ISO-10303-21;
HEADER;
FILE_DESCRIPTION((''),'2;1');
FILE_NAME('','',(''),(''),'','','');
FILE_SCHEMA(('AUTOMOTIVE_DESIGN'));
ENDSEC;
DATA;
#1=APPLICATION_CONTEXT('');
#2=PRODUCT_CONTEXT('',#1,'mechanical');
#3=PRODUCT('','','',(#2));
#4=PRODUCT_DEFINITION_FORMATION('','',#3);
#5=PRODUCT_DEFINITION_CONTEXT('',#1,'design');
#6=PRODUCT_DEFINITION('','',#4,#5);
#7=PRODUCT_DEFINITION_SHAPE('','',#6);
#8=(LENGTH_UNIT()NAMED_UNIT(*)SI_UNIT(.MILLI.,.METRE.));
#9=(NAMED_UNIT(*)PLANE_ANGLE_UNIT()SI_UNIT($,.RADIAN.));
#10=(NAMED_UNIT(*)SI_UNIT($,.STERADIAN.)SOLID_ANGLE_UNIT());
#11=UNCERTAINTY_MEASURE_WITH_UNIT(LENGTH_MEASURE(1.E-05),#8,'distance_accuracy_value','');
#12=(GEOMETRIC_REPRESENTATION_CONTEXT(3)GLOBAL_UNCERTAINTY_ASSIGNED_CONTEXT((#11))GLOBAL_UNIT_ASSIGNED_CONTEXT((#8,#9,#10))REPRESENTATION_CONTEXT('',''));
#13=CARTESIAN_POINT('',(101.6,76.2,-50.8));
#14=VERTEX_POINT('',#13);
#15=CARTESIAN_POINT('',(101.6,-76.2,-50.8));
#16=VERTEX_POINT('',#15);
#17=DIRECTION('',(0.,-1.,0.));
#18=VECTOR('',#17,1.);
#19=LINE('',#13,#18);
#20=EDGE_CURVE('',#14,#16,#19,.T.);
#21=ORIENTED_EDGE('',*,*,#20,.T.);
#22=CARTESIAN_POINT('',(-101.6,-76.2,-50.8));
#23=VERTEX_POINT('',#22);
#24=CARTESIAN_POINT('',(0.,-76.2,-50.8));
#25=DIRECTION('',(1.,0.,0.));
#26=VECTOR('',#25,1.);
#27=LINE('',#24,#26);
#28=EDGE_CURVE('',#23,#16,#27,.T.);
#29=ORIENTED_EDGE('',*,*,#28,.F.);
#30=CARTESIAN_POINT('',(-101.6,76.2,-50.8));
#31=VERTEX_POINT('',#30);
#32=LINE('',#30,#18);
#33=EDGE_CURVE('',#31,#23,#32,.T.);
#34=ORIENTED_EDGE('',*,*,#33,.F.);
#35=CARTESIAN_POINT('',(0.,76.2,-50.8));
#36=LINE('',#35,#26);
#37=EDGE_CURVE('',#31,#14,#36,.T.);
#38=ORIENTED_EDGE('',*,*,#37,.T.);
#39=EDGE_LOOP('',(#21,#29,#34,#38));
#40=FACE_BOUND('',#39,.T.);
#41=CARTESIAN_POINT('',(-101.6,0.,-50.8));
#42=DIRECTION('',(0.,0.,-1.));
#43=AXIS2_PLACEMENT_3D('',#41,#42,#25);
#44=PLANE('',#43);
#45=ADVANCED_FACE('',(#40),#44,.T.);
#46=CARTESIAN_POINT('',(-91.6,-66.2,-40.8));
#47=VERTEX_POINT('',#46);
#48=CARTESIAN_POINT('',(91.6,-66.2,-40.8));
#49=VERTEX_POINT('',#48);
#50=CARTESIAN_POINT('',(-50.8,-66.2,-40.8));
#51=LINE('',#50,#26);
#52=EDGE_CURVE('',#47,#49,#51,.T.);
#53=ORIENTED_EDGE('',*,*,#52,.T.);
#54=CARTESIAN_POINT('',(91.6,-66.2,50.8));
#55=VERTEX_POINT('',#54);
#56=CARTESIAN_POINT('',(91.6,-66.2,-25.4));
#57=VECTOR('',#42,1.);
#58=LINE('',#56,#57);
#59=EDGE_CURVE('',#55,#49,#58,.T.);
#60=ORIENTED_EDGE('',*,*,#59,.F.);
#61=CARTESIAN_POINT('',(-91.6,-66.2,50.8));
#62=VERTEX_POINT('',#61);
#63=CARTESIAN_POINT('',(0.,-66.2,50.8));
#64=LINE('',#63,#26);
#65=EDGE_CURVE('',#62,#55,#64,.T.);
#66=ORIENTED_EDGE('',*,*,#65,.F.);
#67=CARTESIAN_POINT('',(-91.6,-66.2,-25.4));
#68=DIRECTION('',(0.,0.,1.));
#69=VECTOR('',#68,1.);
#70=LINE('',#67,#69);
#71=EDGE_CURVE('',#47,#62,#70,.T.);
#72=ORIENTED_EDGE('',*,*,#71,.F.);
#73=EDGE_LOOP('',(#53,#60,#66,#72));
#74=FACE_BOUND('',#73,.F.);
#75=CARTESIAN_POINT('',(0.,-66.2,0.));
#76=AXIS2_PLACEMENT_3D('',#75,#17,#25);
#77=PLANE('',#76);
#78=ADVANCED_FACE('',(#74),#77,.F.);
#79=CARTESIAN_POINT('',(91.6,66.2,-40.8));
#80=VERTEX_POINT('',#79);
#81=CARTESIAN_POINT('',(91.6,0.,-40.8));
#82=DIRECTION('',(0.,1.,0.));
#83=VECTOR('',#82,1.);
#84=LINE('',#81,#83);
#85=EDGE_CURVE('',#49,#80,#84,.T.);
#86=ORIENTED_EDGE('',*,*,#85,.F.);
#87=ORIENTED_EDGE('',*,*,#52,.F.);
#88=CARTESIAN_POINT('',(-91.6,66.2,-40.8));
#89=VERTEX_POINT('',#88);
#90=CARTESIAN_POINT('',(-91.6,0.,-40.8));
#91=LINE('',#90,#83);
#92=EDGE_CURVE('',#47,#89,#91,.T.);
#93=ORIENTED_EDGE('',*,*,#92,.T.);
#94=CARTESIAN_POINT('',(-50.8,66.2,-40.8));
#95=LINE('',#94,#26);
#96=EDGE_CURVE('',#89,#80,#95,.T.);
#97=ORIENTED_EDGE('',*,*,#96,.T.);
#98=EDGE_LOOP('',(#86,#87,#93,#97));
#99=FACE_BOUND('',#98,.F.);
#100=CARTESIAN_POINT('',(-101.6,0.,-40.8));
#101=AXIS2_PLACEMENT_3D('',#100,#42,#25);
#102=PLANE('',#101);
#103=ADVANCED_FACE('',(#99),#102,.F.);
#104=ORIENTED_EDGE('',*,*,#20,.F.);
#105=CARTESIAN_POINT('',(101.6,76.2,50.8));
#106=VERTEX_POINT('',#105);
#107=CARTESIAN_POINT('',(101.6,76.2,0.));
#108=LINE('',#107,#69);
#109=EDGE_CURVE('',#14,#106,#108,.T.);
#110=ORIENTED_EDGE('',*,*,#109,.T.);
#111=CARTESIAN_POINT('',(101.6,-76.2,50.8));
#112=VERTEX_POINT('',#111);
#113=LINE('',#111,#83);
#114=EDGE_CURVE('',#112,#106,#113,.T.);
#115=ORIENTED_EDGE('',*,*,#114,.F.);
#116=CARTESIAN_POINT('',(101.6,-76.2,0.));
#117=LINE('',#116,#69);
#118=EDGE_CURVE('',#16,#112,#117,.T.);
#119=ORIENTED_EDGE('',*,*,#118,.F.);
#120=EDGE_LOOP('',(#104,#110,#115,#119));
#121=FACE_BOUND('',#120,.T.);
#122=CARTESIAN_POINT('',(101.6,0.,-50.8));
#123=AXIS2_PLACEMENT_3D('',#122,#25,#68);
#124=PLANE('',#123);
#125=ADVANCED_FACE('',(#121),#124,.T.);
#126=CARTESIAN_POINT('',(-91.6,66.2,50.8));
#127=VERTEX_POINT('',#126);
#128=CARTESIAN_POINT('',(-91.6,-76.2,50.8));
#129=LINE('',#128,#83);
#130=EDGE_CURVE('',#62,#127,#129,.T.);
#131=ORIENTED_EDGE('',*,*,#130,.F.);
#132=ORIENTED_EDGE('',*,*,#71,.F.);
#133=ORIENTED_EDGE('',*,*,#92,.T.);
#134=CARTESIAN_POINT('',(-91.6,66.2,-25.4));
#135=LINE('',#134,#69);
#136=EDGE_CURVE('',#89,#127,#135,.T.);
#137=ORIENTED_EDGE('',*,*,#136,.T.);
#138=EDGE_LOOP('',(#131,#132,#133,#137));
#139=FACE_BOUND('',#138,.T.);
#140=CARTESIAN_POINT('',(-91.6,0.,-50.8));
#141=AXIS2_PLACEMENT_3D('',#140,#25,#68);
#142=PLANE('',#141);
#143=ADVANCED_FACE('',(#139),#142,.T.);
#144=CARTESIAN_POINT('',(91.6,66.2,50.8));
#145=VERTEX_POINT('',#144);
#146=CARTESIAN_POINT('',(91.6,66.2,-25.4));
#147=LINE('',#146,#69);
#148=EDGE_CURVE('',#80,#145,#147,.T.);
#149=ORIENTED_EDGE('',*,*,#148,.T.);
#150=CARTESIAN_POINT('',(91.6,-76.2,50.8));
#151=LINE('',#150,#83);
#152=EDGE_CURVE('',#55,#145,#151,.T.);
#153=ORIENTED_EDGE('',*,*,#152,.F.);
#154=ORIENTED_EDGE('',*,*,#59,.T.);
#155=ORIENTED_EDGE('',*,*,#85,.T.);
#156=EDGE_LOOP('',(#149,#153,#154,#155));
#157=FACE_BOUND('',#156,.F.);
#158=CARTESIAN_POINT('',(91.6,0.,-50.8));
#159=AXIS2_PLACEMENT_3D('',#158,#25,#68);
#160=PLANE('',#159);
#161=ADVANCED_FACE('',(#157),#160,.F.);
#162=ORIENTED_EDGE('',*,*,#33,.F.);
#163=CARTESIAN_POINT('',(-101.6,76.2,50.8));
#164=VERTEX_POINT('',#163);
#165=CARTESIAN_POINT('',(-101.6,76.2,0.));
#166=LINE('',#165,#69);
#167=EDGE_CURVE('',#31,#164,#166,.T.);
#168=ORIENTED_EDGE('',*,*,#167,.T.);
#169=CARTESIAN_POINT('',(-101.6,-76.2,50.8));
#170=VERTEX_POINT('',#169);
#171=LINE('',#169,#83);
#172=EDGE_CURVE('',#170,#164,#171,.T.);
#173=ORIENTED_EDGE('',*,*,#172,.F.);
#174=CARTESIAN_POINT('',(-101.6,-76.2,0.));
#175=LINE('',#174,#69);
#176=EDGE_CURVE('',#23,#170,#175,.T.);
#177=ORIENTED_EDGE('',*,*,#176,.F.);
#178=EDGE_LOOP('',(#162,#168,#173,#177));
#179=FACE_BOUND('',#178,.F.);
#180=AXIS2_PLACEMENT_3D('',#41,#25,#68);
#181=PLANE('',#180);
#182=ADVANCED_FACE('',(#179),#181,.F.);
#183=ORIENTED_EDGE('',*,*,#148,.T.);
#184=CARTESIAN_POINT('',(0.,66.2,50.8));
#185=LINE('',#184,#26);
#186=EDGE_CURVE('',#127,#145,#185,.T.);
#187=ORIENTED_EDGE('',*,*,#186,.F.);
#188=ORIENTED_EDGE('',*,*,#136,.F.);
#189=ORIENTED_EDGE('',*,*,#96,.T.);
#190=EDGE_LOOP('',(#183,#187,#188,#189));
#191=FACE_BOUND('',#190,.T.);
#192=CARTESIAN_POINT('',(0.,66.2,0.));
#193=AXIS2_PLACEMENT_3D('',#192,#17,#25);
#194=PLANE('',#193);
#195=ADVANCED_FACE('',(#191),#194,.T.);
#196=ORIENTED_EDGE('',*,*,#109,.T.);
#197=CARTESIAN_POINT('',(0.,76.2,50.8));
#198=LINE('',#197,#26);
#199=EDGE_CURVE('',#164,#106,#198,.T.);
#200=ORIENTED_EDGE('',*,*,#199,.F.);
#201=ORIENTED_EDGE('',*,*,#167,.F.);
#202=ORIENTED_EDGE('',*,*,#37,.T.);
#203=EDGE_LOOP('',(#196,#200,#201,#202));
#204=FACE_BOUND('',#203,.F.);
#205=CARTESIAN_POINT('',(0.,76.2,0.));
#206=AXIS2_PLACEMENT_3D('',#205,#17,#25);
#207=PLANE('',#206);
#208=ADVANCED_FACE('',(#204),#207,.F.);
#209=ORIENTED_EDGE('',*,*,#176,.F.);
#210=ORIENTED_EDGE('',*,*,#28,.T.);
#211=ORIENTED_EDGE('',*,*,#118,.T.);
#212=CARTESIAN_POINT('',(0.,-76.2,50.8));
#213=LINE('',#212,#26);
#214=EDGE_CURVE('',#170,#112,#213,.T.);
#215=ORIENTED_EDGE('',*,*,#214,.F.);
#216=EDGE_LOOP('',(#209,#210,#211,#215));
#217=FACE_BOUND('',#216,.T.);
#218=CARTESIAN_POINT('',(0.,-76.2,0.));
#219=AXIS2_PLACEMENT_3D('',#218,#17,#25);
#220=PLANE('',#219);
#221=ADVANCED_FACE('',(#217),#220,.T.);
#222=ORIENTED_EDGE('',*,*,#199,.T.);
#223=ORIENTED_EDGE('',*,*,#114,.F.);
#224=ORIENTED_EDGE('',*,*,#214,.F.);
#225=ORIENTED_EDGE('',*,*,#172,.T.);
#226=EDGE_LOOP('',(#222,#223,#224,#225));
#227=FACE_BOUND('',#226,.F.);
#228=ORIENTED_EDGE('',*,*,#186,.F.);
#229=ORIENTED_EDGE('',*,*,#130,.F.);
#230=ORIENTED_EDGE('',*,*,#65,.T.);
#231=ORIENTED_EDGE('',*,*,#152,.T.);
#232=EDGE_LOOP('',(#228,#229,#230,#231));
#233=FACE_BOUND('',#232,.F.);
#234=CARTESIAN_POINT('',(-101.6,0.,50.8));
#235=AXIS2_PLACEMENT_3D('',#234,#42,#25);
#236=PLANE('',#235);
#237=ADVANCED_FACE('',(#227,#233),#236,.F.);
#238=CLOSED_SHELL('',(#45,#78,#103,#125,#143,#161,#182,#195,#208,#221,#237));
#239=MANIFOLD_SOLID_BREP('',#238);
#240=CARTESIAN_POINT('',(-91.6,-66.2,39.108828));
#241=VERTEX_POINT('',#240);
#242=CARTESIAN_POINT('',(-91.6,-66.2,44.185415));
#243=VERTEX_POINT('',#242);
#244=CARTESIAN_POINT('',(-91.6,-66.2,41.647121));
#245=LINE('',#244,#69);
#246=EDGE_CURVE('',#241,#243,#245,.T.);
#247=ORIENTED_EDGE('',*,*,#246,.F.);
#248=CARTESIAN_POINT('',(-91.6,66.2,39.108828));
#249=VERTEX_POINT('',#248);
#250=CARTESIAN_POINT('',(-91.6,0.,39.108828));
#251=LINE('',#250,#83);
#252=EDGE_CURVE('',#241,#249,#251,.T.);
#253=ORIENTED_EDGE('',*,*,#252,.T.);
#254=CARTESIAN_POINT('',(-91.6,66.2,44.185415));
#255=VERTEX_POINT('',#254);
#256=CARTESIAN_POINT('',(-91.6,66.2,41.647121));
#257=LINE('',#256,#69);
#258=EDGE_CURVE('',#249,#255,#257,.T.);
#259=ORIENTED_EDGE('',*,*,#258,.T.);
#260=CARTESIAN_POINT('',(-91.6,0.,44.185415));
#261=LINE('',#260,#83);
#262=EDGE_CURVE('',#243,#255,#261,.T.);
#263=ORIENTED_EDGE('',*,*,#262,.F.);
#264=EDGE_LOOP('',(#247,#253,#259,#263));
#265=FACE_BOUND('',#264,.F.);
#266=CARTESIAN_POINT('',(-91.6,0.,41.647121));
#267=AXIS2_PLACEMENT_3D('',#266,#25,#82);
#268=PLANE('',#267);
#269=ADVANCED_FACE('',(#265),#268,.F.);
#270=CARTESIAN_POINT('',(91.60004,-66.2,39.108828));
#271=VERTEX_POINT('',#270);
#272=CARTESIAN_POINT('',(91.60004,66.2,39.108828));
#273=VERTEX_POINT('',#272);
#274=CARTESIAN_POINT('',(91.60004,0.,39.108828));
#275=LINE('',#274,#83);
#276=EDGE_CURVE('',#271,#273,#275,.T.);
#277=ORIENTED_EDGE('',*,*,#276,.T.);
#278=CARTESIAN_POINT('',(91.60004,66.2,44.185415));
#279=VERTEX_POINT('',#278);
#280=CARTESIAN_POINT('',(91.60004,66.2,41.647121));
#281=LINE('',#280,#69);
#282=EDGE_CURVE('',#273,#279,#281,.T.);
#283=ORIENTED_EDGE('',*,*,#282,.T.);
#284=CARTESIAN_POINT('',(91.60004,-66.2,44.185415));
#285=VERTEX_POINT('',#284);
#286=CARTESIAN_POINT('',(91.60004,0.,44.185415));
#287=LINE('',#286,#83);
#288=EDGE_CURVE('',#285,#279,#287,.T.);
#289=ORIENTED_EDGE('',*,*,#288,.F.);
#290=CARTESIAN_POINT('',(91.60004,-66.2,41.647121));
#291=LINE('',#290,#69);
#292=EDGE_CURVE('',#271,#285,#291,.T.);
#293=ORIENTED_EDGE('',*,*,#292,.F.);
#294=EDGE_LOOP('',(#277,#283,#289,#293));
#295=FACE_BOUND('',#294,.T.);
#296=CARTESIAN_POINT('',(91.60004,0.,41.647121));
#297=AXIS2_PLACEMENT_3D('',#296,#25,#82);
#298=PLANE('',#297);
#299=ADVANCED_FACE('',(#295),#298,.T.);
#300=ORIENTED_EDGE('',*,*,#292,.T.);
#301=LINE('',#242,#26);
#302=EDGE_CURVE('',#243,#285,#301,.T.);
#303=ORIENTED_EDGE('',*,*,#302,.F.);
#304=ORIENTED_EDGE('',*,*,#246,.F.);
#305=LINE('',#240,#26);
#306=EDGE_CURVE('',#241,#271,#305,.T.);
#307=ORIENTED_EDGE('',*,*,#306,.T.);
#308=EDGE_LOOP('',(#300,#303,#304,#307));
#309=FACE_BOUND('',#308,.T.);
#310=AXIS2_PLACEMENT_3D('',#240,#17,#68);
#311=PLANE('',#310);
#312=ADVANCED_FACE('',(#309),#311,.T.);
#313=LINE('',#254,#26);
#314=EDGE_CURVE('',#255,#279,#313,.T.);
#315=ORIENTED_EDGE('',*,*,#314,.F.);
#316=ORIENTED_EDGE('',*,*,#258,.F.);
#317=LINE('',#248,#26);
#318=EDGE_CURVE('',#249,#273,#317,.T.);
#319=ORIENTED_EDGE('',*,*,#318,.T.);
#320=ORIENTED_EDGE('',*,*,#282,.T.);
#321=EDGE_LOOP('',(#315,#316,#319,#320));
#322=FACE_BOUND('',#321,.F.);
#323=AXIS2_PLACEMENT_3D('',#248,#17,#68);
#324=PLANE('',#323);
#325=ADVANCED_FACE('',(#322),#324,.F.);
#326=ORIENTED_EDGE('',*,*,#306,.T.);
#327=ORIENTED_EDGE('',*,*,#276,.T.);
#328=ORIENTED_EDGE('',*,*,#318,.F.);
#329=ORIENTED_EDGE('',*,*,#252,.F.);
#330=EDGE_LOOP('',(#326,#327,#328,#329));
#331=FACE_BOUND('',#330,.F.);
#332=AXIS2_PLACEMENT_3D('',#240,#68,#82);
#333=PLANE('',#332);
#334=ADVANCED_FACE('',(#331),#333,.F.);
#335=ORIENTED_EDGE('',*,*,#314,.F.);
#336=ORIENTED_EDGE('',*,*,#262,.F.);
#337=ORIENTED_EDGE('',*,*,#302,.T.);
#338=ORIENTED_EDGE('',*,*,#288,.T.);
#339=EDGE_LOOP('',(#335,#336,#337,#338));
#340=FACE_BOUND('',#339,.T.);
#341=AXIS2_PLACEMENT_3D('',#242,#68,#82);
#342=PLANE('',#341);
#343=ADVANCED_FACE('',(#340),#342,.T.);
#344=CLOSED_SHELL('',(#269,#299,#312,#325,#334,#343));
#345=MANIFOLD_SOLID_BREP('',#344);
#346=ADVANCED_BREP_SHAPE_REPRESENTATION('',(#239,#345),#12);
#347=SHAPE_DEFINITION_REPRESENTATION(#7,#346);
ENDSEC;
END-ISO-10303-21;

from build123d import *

# Parameters (mm, degrees)
F0_W     = 203.2
F0_H     = 101.6
F1_DEPTH = 76.2
F2_T     = -10
F3_W     = 132.4
F3_H     = 5.0765872002
F4_DEPTH = 183.20004


with BuildPart() as f1:
    # F0 (on Front) → F1 (new body, symmetric)
    with BuildSketch(Plane.XZ):
        Rectangle(F0_W, F0_H)
    extrude(amount=F1_DEPTH, both=True)

    # F2
    f2_openings = [f1.faces().sort_by_distance(p)[0] for p in [
        (0, 0, 50.8),
    ]]
    offset(amount=F2_T, openings=f2_openings)


with BuildPart() as f4:
    # F3 (on face) → F4 (new body)
    with BuildSketch(Plane.YZ.offset(-91.6)):
        with Locations((0, 41.6471213102)):
            Rectangle(F3_W, F3_H)
    extrude(amount=F4_DEPTH)


solid = Compound([f1.part, f4.part])
